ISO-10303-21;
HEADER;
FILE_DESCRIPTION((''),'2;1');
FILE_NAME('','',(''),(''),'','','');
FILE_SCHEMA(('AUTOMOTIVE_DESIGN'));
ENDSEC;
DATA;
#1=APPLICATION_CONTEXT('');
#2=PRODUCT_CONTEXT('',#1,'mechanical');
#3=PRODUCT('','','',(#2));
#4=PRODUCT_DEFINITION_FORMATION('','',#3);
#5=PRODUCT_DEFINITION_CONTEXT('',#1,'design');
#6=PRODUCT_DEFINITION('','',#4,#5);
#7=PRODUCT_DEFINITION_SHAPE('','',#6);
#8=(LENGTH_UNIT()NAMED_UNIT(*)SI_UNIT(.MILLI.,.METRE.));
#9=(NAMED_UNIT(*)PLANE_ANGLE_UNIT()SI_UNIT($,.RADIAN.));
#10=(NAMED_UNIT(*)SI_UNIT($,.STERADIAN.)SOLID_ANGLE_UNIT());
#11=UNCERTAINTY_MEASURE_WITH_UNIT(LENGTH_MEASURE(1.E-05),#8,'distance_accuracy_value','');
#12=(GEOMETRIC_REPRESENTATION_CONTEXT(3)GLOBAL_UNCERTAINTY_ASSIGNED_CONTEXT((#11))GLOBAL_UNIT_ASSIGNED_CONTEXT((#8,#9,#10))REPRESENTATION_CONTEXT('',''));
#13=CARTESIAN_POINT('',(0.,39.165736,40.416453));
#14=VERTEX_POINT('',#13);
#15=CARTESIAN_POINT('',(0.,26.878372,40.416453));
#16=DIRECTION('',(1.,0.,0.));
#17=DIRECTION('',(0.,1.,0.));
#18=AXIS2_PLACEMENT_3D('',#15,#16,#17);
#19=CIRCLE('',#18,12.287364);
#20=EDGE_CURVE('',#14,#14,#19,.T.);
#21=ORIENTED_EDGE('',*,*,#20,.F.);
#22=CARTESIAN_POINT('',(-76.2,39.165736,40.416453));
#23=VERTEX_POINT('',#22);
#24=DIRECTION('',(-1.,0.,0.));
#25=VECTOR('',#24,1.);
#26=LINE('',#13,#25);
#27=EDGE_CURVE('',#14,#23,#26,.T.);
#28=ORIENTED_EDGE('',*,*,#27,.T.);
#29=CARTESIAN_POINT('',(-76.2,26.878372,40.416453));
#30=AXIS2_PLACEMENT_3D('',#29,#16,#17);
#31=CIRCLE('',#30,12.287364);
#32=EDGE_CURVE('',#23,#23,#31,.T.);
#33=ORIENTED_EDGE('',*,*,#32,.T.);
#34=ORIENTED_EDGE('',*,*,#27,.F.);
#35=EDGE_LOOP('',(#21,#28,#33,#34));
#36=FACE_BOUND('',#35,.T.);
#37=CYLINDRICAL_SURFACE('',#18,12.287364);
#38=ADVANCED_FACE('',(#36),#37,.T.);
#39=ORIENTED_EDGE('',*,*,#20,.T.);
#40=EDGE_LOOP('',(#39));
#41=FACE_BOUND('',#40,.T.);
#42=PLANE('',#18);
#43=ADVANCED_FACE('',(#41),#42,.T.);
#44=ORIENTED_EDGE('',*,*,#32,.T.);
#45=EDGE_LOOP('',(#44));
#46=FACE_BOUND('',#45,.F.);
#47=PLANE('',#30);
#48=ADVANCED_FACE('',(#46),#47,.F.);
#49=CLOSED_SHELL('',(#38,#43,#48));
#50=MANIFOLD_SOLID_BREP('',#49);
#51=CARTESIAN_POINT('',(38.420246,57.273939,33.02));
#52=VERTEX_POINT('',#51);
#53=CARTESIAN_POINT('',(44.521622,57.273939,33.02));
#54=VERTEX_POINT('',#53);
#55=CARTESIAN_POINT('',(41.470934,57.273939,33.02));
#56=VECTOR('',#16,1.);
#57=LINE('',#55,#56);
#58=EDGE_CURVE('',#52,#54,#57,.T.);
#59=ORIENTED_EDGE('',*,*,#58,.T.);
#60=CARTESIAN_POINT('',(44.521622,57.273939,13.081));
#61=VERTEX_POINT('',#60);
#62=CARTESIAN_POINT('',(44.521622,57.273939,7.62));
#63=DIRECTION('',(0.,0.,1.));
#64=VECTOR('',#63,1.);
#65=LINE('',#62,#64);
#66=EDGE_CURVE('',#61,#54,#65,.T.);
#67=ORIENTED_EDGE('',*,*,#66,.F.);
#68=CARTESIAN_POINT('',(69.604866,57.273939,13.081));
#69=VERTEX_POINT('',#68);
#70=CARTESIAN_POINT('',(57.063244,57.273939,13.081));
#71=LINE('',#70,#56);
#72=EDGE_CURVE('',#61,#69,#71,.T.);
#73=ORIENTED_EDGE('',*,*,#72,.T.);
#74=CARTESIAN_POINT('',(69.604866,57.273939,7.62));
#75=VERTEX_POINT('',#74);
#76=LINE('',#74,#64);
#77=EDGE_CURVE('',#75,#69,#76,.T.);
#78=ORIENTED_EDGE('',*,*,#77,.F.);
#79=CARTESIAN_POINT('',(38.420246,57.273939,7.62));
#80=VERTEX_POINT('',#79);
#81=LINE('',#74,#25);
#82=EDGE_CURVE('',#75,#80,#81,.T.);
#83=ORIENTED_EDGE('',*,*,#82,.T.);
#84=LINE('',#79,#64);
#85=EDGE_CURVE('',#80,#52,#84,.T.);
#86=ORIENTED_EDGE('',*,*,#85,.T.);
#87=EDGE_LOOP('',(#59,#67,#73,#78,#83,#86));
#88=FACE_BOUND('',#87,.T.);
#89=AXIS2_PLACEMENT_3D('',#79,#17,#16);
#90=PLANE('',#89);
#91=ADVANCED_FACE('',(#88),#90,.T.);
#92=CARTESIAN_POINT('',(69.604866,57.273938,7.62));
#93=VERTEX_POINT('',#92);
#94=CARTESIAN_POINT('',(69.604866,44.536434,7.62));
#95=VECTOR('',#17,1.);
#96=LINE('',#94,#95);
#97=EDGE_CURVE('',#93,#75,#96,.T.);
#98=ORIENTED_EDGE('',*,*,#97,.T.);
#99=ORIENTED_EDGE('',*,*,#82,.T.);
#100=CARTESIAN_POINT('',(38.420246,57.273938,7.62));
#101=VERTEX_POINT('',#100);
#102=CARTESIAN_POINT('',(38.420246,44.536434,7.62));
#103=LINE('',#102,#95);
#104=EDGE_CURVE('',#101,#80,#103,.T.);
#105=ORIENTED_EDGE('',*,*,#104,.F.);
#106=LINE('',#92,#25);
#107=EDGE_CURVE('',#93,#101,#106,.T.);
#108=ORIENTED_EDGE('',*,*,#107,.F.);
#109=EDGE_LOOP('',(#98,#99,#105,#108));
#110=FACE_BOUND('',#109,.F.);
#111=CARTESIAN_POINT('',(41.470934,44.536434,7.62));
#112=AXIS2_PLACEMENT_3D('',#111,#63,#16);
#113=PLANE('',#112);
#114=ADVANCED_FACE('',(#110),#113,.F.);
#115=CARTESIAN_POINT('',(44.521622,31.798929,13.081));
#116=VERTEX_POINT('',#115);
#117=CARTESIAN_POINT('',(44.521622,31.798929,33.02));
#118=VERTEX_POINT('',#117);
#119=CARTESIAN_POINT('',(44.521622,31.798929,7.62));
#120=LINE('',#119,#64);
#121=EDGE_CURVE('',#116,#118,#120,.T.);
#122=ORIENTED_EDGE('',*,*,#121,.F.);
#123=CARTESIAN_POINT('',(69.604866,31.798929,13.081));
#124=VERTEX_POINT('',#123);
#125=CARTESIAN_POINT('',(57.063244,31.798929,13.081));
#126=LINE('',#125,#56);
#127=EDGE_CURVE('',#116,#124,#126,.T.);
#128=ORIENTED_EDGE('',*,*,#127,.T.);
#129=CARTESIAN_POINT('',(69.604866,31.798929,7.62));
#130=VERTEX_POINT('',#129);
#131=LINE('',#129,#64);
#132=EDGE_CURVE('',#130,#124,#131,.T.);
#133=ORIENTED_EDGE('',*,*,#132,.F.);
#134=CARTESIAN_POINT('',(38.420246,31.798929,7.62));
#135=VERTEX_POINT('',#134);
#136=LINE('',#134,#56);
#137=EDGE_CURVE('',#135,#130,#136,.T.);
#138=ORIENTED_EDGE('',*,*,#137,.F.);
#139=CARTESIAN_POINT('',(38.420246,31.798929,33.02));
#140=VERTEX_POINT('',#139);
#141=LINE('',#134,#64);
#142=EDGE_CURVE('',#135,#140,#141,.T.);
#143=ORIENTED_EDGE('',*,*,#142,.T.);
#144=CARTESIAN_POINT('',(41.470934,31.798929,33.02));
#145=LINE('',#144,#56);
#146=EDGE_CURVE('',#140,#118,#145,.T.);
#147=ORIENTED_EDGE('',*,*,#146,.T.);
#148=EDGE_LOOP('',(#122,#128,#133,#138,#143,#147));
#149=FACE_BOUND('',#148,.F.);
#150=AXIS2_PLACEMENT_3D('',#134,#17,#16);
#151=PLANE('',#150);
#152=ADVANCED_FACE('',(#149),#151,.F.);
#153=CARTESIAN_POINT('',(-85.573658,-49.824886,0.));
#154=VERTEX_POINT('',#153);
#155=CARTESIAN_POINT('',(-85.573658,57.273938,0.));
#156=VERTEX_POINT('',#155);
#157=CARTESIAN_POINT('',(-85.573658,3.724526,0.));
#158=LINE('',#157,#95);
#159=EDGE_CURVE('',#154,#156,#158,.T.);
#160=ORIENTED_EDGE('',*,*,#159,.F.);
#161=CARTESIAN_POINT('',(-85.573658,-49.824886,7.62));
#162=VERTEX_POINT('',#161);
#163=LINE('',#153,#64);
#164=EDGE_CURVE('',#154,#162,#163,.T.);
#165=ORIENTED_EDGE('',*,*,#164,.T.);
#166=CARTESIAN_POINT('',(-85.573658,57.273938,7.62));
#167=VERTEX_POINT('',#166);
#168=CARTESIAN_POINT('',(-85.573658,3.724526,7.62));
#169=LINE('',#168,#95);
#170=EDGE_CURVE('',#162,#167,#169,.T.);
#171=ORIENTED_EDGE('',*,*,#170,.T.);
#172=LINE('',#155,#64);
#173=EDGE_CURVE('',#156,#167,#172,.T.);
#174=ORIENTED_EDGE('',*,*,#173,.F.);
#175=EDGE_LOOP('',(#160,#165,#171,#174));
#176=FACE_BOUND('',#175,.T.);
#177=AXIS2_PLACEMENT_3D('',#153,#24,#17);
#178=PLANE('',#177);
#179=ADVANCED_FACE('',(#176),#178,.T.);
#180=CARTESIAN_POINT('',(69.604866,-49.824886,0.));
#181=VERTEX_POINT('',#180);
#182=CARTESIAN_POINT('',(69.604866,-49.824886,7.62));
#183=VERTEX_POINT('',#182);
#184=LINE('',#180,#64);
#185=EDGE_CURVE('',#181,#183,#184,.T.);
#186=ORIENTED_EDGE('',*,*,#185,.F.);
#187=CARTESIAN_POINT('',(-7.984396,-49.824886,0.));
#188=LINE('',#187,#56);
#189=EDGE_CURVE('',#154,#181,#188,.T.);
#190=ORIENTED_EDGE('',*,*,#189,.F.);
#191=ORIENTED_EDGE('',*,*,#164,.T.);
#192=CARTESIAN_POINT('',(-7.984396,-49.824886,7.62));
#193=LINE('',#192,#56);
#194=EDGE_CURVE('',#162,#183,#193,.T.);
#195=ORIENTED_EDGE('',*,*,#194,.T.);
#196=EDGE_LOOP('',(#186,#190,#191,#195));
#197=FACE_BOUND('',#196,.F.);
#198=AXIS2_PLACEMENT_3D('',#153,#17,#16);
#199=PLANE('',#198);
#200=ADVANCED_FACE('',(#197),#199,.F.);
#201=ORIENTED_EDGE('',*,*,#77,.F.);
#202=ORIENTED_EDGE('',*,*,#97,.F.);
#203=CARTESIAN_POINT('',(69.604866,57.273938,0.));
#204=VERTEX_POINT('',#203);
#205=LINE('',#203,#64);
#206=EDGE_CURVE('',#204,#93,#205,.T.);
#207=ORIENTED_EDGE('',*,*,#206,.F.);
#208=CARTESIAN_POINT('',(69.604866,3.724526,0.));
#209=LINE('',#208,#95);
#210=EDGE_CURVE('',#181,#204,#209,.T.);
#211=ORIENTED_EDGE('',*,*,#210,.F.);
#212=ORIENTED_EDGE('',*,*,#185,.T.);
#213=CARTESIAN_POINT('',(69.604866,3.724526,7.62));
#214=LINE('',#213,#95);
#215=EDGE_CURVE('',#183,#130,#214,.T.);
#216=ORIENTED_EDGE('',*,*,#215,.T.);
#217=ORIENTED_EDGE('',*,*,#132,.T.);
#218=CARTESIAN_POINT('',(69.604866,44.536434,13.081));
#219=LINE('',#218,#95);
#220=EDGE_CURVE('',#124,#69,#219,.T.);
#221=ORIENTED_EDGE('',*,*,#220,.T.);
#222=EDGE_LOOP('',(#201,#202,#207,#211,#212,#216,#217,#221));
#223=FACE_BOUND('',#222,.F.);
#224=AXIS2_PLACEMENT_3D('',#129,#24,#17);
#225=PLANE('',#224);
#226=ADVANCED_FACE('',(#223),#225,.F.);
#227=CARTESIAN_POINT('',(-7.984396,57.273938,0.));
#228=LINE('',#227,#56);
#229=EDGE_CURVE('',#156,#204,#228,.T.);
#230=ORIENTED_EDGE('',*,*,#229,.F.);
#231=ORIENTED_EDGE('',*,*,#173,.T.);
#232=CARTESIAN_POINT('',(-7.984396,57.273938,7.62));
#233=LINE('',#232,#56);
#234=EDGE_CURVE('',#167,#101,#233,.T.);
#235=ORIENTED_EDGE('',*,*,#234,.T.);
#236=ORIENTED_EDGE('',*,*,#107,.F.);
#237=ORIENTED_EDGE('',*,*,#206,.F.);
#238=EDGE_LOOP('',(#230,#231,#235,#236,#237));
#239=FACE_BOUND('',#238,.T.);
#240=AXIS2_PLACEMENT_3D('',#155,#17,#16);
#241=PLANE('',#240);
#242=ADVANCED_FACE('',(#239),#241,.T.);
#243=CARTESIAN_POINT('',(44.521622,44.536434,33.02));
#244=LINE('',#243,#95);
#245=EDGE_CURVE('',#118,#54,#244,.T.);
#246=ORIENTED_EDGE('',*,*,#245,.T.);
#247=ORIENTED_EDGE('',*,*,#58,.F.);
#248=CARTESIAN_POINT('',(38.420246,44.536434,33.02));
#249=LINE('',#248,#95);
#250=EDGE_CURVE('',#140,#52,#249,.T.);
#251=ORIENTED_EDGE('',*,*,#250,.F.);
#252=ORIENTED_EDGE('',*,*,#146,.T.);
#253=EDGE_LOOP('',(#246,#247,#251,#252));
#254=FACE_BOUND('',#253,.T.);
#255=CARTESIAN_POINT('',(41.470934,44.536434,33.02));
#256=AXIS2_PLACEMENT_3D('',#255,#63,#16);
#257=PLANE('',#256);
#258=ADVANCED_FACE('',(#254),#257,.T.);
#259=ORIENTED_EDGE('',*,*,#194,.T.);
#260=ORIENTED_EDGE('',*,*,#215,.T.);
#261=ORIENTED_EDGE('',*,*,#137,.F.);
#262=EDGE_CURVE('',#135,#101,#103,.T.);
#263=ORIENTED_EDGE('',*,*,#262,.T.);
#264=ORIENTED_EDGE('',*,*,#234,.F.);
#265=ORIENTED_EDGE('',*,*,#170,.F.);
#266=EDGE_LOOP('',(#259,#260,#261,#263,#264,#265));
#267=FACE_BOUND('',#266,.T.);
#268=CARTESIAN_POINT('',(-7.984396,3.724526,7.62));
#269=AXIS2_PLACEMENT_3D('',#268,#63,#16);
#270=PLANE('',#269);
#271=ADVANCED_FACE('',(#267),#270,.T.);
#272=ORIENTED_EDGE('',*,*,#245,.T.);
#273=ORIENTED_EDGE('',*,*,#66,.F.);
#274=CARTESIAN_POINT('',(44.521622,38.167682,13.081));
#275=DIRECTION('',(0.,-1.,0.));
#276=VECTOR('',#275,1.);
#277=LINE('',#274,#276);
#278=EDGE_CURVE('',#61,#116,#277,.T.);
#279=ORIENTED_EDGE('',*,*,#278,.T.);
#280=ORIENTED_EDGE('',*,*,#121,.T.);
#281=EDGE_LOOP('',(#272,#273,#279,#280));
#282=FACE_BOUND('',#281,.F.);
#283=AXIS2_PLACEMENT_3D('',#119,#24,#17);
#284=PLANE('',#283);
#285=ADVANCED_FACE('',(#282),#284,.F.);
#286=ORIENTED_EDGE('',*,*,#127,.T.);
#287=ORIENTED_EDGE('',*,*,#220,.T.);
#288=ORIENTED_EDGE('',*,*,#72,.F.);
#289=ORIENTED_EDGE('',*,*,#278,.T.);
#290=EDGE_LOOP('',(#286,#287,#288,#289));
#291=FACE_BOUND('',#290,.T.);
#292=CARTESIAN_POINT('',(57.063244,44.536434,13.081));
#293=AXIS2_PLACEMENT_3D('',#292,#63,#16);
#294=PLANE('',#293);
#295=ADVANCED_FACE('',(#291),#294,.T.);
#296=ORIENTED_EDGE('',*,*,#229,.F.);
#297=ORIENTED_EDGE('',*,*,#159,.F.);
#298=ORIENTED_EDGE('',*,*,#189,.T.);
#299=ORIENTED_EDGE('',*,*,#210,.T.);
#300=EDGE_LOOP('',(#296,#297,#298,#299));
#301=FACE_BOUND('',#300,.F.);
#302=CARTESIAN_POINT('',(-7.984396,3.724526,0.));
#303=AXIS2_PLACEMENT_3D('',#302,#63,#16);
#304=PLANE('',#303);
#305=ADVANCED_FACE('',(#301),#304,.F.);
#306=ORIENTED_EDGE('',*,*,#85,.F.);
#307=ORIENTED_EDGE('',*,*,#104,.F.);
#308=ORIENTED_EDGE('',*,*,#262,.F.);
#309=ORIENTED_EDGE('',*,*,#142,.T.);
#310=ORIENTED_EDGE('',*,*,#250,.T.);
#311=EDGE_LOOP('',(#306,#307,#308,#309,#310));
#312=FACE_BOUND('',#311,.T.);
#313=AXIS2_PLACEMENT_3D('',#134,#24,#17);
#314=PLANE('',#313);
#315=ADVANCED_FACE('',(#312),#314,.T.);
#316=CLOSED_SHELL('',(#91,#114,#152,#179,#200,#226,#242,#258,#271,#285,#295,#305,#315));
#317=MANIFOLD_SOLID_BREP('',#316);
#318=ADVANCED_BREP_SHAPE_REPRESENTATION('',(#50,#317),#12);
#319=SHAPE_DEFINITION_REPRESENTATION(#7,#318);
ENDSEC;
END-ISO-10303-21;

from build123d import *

# Parameters (mm, degrees)
F0_W     = 155.178524
F0_H     = 107.098825
F1_DEPTH = 7.62
F2_W     = 25.083244
F2_H     = 25.47501
F3_DEPTH = 5.461
F4_W     = 6.101377
F4_H     = 25.47501
F5_DEPTH = 25.4
F6_R     = 12.287364
F7_DEPTH = 76.2


with BuildPart() as f1:
    # F0 (on Top) → F1 (new body)
    with BuildSketch(Plane.XY):
        with Locations((-7.984396, 3.724526)):
            Rectangle(F0_W, F0_H)
    extrude(amount=F1_DEPTH)

    # F2 (on face) → F3 (join)
    with BuildSketch(Plane.XY.offset(7.62)):
        with Locations((57.063244, 44.536434)):
            Rectangle(F2_W, F2_H)
    extrude(amount=F3_DEPTH)

    # F4 (on face) → F5 (join)
    with BuildSketch(Plane.XY.offset(7.62)):
        with Locations((41.470934, 44.536434)):
            Rectangle(F4_W, F4_H)
    extrude(amount=F5_DEPTH)


with BuildPart() as f7:
    # F6 (on Right) → F7 (new body)
    with BuildSketch(Plane.YZ):
        with Locations((26.878372, 40.416453)):
            Circle(F6_R)
    extrude(amount=-F7_DEPTH)


solid = Compound([f1.part, f7.part])
